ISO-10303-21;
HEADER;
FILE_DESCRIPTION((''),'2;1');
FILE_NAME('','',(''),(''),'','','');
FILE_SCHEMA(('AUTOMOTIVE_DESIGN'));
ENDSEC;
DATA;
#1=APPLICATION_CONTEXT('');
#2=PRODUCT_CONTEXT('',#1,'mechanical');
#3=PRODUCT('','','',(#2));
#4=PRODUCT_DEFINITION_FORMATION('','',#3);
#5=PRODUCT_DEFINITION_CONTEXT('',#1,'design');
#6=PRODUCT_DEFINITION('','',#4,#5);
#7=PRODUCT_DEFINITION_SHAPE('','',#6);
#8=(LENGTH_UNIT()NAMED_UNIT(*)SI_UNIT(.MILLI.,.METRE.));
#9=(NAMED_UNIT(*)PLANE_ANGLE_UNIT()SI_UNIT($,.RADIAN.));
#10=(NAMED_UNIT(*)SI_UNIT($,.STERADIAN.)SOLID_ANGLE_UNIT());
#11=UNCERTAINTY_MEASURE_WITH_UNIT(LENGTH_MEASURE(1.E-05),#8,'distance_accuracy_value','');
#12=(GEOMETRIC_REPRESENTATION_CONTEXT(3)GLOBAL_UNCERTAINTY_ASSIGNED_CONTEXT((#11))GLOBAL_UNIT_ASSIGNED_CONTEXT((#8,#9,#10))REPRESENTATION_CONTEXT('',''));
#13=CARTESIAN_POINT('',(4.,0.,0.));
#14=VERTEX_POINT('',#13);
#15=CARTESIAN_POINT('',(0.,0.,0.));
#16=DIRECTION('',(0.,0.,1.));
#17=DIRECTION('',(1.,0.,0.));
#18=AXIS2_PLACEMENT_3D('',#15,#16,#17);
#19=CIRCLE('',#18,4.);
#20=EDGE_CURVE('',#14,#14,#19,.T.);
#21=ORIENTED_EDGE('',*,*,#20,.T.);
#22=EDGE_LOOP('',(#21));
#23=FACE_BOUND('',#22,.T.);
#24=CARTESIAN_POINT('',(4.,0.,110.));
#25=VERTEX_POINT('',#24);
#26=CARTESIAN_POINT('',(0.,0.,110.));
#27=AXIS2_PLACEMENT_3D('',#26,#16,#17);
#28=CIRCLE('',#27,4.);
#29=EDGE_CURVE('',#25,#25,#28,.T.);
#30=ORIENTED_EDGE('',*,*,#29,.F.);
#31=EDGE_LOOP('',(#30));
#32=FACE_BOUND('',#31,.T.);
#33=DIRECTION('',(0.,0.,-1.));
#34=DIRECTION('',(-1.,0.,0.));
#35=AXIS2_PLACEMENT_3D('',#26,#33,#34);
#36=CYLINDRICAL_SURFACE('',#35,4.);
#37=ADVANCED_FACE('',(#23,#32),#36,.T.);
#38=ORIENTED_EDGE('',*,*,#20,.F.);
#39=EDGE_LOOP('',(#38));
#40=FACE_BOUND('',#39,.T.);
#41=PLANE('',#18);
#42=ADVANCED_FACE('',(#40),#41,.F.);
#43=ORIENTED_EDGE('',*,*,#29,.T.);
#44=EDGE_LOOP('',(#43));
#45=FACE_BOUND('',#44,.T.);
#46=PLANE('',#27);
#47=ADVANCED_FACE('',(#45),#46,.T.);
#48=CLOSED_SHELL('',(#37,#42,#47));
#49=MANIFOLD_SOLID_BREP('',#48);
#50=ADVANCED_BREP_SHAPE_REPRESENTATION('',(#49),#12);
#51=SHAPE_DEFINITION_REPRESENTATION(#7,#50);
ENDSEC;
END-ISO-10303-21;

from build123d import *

# Parameters (mm, degrees)
CROQUIS1_R              = 4
SALIENTE_EXTRUIR1_DEPTH = 110


with BuildPart() as part:
    # Croquis1 → Saliente-Extruir1 (new body)
    with BuildSketch(Plane.XY):
        Circle(CROQUIS1_R)
    extrude(amount=SALIENTE_EXTRUIR1_DEPTH)


solid = part.part
